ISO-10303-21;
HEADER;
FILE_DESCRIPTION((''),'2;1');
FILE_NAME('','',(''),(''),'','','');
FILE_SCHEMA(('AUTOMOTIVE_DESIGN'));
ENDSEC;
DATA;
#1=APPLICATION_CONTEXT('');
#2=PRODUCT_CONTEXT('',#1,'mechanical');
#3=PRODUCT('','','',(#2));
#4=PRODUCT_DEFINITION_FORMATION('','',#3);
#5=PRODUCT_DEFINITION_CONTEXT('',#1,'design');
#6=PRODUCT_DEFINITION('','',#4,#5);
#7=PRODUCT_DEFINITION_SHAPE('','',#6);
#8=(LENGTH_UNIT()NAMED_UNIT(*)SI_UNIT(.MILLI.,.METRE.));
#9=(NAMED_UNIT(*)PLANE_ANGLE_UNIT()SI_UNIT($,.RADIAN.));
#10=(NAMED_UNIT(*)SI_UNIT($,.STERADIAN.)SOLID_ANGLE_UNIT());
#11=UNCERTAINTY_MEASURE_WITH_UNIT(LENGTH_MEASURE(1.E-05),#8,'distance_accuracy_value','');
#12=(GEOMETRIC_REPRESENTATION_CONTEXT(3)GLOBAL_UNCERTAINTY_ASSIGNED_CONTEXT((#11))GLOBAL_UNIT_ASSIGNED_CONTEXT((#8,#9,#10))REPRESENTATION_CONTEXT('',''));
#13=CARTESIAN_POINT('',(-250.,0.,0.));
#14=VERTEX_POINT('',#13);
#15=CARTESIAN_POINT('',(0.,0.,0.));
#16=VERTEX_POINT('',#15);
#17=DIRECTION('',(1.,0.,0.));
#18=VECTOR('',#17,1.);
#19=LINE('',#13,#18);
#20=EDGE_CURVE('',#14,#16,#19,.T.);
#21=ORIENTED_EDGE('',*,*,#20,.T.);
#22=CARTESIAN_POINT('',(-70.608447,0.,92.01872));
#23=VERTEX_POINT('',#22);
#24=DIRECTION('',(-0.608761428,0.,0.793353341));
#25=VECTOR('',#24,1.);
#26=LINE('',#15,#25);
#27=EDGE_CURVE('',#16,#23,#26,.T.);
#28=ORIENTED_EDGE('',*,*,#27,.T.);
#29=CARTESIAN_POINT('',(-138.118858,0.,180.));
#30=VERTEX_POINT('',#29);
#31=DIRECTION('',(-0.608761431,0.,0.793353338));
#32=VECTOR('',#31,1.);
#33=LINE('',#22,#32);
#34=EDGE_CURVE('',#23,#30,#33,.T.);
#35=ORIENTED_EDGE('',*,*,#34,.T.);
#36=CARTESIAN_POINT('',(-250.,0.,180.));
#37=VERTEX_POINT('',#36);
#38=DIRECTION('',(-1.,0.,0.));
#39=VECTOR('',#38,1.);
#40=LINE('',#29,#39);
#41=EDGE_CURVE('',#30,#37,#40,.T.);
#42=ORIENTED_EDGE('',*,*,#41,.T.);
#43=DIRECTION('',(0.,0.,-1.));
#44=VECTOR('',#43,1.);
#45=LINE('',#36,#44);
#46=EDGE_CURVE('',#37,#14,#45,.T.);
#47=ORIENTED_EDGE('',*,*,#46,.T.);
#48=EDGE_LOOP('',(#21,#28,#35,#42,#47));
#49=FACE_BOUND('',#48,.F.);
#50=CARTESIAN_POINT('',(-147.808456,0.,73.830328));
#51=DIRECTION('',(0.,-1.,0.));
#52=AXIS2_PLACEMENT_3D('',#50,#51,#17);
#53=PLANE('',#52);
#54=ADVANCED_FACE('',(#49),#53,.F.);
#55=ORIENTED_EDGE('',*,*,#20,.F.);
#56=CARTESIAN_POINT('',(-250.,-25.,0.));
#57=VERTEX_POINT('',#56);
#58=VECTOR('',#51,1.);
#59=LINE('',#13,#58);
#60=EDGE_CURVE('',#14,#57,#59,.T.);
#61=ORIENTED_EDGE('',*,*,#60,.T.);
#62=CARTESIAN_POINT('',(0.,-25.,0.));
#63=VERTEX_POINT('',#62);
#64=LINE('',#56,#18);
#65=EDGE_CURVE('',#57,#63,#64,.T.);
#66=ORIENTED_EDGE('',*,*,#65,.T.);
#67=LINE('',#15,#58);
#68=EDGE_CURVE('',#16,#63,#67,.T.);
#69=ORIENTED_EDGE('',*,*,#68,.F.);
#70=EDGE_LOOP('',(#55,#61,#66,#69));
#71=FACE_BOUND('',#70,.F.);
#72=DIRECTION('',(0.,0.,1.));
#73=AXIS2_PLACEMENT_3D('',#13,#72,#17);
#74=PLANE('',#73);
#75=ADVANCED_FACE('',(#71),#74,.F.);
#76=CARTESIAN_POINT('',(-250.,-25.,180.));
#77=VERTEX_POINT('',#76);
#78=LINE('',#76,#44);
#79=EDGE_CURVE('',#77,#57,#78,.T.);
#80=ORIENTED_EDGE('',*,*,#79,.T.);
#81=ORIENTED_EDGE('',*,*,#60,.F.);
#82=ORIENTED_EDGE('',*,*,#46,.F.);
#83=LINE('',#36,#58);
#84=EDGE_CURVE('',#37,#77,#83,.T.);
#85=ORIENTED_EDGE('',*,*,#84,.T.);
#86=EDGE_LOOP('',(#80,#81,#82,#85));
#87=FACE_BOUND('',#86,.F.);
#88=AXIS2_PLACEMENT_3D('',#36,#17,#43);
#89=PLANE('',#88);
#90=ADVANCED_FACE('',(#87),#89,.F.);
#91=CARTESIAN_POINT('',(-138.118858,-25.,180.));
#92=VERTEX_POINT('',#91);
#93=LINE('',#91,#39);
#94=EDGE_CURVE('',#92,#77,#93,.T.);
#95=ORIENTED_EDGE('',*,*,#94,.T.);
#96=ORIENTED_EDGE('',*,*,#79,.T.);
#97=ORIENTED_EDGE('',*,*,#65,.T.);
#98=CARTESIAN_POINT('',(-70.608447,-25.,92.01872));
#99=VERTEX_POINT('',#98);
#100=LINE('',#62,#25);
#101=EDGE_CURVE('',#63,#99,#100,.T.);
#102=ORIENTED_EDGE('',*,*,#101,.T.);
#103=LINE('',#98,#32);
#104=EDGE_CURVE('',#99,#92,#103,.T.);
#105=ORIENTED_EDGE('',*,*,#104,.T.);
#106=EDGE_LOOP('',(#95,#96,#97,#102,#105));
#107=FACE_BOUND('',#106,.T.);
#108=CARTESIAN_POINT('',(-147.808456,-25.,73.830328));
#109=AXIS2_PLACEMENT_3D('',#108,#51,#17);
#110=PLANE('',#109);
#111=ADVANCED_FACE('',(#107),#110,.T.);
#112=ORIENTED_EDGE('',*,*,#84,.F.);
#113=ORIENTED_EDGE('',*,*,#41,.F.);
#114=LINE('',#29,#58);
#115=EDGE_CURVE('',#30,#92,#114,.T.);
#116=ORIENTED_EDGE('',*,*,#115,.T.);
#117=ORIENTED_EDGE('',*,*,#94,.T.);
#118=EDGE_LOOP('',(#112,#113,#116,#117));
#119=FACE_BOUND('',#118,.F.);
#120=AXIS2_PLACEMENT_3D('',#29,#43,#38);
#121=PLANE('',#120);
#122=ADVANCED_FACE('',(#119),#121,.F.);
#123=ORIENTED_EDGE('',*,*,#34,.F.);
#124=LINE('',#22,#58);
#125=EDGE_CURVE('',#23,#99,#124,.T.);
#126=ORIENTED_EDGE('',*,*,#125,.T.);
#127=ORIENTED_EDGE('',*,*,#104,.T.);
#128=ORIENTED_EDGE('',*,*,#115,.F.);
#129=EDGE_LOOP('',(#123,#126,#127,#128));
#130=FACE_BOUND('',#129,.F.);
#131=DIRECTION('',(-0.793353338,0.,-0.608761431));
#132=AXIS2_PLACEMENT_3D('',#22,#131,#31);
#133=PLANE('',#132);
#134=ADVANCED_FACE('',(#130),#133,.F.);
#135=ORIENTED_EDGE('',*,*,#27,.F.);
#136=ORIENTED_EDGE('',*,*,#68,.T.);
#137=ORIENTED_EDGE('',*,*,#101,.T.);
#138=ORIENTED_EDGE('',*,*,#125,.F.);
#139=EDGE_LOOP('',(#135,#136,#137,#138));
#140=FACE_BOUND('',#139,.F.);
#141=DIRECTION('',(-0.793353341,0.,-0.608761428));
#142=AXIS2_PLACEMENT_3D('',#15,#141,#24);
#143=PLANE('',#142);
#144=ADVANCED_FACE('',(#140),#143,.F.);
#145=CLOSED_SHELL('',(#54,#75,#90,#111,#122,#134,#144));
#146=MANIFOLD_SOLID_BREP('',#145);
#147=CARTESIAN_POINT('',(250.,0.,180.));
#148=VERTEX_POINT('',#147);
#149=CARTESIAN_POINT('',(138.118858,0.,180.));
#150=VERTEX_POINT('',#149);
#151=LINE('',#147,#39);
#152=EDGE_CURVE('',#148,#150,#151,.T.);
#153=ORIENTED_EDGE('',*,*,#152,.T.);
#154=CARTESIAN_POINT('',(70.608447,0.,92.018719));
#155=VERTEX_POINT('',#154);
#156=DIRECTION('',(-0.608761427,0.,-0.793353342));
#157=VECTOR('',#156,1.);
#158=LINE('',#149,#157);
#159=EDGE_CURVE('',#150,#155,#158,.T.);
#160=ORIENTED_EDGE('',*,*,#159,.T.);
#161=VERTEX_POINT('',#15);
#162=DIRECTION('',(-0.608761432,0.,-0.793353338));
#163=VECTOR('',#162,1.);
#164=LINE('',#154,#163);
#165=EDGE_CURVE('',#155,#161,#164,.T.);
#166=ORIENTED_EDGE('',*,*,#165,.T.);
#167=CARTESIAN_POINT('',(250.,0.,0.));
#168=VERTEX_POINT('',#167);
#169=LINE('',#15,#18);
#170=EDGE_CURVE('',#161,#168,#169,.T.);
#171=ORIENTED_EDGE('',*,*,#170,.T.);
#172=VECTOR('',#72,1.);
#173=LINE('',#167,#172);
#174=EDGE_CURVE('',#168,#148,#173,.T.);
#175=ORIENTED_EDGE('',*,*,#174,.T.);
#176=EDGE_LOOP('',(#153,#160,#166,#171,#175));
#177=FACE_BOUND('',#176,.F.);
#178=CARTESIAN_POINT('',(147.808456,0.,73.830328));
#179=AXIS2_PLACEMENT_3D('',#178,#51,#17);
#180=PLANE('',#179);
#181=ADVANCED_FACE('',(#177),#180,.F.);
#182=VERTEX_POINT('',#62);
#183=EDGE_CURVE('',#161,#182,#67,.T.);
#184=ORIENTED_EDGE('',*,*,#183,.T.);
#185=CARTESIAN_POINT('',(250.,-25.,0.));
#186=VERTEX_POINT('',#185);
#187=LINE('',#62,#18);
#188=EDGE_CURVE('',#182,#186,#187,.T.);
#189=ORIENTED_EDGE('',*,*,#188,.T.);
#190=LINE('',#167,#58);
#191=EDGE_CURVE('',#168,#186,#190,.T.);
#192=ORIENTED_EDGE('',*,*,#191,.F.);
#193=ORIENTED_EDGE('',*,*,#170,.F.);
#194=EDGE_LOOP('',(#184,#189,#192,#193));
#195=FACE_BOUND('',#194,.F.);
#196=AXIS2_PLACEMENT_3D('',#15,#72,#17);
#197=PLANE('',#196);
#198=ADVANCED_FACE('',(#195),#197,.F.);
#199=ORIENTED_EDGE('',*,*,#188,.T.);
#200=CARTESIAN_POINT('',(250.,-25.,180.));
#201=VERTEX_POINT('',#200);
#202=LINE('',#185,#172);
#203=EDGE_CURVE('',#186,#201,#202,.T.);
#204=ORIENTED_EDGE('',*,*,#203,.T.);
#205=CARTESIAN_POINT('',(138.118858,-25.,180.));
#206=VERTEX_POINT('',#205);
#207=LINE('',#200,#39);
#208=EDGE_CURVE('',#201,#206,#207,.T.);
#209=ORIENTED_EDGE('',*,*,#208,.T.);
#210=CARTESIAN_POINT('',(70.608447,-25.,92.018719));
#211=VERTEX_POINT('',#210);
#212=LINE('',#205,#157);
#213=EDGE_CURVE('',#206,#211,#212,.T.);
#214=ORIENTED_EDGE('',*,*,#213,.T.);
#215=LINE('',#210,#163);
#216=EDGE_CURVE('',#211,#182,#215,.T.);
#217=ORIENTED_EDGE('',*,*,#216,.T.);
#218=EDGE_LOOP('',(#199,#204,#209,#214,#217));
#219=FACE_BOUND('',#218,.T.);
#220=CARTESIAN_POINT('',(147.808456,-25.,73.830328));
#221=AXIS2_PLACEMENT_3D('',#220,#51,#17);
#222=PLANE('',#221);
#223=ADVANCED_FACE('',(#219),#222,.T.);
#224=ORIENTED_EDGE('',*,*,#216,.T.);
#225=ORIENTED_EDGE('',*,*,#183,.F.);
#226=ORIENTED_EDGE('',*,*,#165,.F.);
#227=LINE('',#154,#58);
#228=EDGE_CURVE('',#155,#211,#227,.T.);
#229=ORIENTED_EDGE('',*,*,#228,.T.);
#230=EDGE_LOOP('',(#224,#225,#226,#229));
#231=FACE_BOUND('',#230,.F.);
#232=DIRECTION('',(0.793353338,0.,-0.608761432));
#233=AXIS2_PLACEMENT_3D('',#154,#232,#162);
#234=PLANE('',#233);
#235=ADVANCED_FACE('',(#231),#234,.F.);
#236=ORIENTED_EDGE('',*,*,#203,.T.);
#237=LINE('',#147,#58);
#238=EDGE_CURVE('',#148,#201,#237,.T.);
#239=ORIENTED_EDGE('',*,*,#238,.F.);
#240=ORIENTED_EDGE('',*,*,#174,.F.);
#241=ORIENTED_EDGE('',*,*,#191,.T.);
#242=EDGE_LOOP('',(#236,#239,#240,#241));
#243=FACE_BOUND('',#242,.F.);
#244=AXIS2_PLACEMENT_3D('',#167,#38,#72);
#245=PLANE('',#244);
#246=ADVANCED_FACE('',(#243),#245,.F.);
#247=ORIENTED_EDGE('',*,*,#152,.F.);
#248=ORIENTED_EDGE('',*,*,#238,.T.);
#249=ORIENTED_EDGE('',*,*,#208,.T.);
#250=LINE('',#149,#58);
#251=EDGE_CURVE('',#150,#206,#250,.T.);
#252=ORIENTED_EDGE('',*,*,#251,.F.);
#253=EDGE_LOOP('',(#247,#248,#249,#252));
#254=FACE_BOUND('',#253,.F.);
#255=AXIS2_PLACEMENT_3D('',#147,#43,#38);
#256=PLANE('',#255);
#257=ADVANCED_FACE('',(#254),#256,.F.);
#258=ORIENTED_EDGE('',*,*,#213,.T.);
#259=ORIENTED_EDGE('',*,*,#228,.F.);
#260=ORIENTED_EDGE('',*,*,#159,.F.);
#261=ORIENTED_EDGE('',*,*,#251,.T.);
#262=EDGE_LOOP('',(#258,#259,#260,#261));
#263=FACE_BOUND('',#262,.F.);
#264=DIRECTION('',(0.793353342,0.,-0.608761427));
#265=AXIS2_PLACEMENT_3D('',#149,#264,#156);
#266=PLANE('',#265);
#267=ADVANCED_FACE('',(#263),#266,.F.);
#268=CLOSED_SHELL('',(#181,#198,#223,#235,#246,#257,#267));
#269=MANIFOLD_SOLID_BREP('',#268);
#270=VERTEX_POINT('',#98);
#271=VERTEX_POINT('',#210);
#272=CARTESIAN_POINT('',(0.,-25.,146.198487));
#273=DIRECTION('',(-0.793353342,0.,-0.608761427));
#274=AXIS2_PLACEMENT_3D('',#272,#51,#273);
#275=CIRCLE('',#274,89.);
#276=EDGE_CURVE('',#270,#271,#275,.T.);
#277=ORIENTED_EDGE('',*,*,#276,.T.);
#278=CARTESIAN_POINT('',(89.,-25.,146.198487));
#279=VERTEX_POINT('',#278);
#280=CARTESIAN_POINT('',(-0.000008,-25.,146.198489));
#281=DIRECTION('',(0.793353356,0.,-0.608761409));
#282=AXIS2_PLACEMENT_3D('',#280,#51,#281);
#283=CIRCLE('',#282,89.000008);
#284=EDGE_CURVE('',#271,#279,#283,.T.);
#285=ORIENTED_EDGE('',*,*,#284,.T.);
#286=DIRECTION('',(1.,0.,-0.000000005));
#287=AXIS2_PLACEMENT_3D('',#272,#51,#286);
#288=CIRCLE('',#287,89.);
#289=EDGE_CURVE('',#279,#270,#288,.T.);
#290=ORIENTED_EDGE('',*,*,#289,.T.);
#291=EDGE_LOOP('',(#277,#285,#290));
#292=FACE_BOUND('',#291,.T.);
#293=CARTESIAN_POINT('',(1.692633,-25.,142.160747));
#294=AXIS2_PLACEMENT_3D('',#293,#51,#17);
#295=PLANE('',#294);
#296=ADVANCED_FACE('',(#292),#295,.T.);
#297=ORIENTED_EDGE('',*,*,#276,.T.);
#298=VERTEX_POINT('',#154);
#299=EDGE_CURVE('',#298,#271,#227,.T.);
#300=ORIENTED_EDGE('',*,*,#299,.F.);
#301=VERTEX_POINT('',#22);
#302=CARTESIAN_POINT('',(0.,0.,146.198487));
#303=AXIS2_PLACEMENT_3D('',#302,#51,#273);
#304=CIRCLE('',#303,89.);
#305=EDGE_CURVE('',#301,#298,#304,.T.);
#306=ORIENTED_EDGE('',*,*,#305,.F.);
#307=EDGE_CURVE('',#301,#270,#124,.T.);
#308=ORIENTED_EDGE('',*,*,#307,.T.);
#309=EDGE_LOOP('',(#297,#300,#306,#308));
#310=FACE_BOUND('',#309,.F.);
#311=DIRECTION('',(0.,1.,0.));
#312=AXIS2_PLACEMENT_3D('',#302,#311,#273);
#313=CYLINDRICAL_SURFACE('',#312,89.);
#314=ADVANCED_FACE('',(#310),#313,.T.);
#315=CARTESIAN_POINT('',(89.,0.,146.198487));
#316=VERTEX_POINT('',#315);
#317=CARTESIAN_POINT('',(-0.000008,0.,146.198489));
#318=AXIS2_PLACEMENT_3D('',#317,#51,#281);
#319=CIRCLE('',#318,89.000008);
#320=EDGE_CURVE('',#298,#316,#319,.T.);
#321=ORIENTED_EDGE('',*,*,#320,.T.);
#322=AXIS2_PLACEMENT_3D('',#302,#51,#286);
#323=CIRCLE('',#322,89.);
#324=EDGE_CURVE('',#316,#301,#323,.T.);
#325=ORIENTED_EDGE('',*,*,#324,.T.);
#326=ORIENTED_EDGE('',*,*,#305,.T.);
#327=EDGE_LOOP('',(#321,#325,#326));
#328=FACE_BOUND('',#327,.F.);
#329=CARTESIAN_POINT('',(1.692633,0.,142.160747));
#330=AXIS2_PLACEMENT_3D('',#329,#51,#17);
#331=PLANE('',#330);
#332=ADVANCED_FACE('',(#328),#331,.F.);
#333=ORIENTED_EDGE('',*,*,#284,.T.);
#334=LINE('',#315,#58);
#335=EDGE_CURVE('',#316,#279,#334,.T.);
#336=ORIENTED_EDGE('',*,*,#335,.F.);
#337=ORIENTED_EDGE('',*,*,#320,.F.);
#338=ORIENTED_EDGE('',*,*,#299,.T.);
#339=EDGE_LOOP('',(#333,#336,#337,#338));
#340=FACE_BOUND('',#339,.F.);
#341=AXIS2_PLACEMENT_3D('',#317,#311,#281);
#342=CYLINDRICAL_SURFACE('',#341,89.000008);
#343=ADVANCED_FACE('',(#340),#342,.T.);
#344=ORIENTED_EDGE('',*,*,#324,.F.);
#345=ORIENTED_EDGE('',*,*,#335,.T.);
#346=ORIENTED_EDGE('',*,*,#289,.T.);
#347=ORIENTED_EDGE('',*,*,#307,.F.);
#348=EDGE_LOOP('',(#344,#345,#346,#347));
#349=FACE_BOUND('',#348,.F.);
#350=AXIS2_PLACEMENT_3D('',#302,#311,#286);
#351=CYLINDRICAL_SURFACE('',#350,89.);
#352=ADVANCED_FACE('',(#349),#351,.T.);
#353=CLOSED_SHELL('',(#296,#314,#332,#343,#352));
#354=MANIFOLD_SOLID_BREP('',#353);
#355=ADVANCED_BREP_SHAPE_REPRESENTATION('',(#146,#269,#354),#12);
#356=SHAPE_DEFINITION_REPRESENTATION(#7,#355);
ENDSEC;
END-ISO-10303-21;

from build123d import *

# Parameters (mm, degrees)
F1_DEPTH = 25
F2_DEPTH = 25


with BuildPart() as f1:
    # F0 (on Front) → F1 (new body)
    with BuildSketch(Plane.XZ):
        with BuildLine():
            ThreePointArc((-70.608447, 92.01872), (-1e-06, 57.198487), (70.608447, 92.018719))
            ThreePointArc((70.608447, 92.018719), (84.276781, 117.590374), (89, 146.198487))
            ThreePointArc((89, 146.198487), (-28.608112, 230.475269), (-70.608447, 92.01872))
        make_face()
    extrude(amount=F1_DEPTH)

    # F0 (on Front) → F2 (join)
    with BuildSketch(Plane.XZ):
        Polygon((-250, 0), (0, 0), (-70.608447, 92.01872), (-138.118858, 180), (-250, 180), align=None)
        Polygon((70.608447, 92.018719), (0, 0), (250, 0), (250, 180), (138.118858, 180), align=None)
    extrude(amount=F2_DEPTH)


solid = f1.part
